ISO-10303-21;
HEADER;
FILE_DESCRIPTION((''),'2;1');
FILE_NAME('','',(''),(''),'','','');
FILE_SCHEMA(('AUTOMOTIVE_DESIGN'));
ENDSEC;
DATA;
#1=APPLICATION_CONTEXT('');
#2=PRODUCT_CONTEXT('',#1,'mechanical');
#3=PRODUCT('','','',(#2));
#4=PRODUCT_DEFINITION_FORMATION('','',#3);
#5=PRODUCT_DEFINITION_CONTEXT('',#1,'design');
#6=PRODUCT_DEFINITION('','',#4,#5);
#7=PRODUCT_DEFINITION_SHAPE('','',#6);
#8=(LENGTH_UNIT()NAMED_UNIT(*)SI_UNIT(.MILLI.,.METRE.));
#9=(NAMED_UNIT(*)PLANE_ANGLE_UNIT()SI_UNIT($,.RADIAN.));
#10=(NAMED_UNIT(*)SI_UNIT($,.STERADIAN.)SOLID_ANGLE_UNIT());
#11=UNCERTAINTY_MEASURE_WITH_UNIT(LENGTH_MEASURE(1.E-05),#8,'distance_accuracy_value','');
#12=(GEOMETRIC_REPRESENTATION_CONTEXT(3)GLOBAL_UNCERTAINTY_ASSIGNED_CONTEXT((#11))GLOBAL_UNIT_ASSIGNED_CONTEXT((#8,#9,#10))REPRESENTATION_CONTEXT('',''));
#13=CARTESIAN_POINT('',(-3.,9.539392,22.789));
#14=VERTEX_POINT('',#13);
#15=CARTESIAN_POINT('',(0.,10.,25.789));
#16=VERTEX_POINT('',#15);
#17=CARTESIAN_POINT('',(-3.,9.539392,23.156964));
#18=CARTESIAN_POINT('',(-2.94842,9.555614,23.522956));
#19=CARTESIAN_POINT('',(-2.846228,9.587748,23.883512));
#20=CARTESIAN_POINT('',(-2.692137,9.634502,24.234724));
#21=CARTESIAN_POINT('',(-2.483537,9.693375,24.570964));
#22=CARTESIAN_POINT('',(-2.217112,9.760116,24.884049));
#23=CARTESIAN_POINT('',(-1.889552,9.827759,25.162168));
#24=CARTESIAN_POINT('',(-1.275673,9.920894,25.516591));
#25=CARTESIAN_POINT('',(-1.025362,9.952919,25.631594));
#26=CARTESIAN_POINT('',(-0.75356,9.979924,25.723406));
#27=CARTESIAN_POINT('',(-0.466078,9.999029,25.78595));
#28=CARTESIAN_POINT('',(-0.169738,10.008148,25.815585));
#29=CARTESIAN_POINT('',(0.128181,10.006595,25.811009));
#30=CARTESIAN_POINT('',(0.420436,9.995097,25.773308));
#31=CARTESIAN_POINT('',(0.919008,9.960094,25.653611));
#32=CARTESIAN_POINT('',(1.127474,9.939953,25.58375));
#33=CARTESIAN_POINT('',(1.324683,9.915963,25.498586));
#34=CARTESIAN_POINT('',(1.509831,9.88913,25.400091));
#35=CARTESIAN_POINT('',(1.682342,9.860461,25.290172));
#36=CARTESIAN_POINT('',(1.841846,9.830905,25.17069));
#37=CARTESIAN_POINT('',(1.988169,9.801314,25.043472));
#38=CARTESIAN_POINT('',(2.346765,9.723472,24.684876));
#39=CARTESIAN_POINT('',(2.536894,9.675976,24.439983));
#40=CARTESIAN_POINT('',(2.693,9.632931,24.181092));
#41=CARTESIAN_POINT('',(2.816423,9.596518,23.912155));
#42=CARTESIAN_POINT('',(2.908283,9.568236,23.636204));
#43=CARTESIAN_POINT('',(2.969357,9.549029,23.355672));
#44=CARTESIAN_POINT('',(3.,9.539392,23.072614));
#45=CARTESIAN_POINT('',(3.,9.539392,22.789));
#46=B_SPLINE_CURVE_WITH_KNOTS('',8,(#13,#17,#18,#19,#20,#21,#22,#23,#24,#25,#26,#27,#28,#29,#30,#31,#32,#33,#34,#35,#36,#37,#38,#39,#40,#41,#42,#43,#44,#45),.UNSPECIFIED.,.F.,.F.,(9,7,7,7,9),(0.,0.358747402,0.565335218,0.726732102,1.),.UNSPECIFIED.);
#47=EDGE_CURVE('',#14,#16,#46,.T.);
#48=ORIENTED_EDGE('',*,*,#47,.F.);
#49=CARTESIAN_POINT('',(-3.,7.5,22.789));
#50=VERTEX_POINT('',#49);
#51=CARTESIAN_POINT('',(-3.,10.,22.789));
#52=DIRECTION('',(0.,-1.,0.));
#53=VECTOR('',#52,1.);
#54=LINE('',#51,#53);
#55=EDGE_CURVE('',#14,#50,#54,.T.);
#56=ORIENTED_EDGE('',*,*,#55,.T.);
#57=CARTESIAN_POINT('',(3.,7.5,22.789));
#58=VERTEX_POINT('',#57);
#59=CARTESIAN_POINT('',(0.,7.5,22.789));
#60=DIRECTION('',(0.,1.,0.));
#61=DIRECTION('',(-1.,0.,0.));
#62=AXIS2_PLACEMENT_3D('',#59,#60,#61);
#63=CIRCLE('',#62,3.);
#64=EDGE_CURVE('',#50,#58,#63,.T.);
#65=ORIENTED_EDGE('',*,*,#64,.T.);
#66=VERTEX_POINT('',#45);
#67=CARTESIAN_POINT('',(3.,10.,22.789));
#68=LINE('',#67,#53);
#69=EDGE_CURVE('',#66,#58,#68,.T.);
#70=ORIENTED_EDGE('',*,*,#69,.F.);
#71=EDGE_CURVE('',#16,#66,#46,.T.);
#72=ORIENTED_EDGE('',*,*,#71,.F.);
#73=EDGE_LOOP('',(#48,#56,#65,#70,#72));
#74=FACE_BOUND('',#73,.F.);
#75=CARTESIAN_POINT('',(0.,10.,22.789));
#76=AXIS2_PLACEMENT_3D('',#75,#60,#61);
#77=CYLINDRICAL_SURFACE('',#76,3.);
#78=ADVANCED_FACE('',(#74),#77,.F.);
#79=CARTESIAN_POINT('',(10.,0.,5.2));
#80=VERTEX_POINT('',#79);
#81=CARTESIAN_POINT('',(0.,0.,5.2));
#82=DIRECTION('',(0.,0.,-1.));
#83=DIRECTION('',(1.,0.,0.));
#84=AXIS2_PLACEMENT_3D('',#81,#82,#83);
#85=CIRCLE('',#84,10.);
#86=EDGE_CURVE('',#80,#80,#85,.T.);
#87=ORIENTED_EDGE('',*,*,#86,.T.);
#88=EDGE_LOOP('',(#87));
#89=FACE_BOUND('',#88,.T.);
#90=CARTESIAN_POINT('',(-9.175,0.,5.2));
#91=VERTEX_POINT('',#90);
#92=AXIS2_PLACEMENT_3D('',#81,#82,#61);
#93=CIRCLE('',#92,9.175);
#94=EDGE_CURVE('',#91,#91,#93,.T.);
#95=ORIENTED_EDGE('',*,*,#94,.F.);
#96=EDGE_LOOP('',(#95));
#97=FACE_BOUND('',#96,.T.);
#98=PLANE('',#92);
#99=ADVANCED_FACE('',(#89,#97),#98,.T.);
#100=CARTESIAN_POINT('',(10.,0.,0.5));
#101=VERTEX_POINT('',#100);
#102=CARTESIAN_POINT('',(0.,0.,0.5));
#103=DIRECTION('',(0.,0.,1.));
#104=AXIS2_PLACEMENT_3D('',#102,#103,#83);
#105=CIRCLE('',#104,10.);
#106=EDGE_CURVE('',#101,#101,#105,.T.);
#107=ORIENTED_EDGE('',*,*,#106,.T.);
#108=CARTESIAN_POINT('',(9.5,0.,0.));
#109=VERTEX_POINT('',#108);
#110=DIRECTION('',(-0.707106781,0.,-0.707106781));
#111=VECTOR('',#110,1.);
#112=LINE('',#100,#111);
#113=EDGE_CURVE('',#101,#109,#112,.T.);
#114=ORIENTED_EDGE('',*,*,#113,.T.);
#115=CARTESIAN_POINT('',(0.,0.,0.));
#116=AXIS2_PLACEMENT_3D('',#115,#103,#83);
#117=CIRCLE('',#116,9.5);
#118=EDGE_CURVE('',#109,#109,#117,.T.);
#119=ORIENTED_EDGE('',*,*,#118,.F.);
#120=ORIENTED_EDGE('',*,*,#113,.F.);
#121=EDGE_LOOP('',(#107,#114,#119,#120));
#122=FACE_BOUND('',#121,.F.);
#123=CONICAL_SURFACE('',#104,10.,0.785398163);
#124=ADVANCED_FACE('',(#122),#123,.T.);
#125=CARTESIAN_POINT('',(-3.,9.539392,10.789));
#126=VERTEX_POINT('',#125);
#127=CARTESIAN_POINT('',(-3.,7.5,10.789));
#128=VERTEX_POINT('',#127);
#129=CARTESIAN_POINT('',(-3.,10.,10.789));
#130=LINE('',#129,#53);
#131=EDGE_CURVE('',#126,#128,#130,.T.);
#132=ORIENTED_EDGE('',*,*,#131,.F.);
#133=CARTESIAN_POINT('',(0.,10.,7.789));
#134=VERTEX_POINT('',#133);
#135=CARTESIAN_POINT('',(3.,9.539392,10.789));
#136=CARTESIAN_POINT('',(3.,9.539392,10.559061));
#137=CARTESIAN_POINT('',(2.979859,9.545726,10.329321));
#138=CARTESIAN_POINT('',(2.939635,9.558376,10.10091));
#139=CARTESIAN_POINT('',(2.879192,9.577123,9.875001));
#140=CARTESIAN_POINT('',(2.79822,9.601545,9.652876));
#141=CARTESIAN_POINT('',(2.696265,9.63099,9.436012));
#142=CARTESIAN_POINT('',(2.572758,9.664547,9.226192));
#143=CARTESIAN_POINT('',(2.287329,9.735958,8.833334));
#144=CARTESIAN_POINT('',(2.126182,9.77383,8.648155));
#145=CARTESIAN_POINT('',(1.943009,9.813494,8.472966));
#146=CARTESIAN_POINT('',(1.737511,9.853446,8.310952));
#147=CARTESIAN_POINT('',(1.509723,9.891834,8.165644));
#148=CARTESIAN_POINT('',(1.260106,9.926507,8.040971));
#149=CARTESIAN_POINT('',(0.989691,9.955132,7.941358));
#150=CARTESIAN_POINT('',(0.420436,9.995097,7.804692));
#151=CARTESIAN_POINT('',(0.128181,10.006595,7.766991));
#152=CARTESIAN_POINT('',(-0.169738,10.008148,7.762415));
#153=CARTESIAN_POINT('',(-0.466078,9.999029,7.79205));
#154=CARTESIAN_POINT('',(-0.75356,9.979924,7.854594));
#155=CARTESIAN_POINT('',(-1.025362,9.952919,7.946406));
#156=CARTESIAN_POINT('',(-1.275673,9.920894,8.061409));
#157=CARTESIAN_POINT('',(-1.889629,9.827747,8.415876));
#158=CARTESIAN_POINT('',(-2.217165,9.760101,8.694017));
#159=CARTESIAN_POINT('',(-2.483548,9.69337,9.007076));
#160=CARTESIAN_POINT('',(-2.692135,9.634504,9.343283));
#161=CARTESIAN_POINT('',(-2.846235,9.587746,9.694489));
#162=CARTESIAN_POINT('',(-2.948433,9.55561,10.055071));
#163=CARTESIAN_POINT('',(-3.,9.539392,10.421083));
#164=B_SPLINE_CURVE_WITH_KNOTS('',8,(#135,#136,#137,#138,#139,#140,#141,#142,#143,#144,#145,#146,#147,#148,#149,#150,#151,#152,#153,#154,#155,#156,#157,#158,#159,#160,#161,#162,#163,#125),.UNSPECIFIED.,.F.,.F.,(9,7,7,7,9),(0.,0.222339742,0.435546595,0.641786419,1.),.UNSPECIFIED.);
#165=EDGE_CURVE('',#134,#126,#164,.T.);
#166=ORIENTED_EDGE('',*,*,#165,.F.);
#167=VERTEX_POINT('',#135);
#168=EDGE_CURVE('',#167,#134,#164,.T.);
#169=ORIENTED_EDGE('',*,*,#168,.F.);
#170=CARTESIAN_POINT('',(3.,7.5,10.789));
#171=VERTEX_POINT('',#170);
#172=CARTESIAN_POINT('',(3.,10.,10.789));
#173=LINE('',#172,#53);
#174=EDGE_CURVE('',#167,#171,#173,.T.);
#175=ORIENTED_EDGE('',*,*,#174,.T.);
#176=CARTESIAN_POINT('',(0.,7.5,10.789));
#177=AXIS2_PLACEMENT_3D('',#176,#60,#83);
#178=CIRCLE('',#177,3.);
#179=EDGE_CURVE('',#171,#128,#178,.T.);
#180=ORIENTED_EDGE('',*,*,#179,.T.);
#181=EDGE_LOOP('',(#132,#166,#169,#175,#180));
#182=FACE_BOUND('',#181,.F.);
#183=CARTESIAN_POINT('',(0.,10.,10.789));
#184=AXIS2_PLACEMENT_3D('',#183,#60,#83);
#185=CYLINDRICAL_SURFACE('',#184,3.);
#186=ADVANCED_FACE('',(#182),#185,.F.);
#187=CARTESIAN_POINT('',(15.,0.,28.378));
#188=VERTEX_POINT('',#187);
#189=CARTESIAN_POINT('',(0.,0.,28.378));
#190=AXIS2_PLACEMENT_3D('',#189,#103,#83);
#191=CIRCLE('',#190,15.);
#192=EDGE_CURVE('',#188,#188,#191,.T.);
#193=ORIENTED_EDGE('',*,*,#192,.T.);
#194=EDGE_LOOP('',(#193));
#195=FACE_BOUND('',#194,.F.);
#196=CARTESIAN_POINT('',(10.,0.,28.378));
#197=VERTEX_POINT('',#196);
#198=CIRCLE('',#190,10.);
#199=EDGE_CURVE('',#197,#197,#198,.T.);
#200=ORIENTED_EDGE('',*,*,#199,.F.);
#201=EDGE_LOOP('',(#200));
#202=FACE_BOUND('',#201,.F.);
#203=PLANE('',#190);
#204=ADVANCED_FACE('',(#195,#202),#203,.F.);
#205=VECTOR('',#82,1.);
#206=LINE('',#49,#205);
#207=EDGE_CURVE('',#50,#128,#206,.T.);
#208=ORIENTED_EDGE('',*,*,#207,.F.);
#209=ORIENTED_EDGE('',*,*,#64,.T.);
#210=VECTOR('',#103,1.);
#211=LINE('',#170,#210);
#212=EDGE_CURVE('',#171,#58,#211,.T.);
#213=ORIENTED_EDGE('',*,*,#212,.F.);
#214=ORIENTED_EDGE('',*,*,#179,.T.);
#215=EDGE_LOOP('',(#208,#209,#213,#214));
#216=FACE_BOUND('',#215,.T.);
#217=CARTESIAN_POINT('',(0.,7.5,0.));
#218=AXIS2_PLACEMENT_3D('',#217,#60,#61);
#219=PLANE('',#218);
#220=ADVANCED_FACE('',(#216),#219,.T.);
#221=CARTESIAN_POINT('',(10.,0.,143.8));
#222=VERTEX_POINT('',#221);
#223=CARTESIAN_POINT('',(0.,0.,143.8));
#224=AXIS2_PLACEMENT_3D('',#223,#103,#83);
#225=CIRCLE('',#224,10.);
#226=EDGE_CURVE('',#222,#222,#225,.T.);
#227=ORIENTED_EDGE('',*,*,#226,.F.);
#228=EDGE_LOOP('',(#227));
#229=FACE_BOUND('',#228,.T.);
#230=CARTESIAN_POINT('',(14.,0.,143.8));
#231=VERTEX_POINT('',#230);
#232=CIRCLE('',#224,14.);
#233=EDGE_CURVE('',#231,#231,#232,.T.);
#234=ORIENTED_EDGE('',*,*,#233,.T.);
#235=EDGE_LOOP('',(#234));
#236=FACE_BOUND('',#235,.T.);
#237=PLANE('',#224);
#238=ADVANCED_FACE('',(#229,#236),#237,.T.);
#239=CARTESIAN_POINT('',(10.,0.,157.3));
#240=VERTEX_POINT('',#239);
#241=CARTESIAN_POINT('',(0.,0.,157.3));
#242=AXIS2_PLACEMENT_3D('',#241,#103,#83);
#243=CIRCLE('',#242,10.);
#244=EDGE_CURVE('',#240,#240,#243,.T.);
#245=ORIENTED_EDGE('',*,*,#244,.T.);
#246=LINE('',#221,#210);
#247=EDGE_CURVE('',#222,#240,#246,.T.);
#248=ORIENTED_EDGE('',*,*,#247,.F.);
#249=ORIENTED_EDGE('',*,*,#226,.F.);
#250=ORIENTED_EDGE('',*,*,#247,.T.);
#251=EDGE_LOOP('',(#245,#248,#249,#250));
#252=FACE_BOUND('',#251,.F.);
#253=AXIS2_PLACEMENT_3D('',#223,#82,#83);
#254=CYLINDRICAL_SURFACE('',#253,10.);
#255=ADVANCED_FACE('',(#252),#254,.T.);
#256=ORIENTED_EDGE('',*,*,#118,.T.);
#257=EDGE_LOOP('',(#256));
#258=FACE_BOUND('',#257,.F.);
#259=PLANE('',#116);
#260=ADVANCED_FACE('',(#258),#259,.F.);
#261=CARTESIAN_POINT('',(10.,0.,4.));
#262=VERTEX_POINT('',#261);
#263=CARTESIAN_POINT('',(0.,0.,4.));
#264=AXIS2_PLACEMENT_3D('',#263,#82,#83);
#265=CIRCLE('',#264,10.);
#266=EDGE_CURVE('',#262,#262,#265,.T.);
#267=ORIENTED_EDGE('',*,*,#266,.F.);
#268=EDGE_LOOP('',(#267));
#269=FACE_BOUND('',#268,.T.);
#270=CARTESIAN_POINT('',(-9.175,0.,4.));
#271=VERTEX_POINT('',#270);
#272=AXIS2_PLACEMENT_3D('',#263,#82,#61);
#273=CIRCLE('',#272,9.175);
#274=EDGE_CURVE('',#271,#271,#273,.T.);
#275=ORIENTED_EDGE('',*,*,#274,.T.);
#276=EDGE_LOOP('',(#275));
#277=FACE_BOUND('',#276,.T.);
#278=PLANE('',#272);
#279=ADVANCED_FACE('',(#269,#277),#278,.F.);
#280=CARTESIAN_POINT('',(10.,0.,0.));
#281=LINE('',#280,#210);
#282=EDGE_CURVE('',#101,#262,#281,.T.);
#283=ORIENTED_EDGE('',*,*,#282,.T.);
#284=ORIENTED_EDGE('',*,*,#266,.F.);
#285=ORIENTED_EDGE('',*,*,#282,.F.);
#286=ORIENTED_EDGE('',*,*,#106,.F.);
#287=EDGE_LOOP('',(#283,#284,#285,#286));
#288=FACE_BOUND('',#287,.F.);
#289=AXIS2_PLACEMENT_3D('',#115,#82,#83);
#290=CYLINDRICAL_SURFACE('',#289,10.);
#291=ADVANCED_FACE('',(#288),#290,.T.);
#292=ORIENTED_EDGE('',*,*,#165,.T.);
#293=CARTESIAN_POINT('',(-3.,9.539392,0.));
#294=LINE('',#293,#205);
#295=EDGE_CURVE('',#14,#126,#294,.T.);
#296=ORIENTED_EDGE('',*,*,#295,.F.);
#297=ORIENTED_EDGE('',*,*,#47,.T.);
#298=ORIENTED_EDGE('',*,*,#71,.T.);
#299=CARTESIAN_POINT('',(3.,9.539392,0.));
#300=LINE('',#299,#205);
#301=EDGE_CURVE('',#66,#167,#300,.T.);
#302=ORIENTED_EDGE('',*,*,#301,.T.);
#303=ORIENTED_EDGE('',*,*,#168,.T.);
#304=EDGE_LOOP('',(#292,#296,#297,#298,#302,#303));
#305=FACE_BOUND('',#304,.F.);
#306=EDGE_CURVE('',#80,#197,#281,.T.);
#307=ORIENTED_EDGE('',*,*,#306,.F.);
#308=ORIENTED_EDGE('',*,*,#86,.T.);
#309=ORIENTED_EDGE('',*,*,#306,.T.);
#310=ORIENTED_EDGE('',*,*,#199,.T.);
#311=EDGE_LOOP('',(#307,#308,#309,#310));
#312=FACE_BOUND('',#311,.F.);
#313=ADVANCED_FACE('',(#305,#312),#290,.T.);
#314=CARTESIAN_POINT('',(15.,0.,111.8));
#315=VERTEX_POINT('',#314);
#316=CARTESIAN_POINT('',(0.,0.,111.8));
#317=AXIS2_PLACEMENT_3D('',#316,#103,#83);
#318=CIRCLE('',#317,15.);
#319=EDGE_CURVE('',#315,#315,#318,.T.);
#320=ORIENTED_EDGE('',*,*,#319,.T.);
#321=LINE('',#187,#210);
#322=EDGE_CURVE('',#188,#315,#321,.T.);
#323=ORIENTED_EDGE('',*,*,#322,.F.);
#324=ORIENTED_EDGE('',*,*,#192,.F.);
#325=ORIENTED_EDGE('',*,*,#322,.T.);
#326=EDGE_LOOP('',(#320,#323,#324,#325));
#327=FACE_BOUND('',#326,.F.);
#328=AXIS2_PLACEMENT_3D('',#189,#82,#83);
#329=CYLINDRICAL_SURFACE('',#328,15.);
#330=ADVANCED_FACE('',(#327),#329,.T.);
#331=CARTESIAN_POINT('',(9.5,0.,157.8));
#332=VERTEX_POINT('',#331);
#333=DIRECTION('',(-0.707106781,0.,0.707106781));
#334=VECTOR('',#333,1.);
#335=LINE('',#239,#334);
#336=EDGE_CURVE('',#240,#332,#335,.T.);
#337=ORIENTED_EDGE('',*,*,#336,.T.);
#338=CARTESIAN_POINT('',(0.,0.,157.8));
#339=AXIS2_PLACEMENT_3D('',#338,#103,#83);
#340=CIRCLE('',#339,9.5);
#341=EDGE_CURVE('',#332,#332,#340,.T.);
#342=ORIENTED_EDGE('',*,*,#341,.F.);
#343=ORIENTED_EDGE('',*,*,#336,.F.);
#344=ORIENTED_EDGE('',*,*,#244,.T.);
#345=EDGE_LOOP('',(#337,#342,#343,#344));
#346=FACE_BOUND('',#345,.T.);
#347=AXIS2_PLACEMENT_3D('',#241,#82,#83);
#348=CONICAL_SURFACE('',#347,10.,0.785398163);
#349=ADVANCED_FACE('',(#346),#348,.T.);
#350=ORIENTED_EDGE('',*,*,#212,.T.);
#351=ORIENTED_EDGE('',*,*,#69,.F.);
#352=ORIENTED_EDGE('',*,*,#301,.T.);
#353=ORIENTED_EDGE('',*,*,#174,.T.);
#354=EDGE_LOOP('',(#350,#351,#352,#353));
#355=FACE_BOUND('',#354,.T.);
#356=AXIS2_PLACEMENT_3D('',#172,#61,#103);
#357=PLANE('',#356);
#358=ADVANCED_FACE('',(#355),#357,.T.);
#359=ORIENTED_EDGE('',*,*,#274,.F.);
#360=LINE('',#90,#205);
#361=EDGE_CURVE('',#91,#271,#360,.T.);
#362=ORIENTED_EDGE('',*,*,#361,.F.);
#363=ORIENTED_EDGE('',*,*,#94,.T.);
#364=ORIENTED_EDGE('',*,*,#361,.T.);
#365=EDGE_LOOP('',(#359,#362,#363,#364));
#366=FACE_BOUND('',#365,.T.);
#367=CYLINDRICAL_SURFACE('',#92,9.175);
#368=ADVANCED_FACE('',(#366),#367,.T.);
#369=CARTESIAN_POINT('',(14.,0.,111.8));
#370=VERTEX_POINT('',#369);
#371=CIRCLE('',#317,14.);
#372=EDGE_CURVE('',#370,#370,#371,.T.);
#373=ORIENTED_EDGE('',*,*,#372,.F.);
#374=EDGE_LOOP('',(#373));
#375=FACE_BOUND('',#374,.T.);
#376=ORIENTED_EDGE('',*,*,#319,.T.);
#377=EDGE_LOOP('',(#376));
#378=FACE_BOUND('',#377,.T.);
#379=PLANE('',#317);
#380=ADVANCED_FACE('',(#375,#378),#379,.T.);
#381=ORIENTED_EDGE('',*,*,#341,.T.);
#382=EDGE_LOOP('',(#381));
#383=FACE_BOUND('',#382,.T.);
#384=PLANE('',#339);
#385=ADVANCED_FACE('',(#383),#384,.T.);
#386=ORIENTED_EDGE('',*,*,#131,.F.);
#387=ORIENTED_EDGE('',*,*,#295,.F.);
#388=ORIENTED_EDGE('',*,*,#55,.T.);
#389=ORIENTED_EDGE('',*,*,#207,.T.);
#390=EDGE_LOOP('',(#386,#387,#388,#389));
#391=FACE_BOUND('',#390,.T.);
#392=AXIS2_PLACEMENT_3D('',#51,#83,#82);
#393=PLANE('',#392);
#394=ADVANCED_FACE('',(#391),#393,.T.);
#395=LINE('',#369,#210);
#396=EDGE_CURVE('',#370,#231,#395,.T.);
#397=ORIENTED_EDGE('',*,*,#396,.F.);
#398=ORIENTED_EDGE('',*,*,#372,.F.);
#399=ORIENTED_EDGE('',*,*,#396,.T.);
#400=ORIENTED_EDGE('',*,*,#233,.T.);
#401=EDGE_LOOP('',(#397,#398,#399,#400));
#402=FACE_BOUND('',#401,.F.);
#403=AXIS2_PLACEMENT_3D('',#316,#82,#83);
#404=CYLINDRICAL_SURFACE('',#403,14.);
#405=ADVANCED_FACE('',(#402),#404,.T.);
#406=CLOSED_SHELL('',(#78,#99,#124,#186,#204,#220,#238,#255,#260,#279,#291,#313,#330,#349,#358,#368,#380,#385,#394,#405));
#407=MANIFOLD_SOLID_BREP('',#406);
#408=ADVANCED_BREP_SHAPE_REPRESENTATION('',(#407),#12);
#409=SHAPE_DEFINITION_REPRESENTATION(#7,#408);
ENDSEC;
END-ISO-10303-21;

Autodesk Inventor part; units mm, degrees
ref_plane "YZ Plane" through (0, 0, 0) normal (1, 0, 0) x (0, 1, 0)
ref_plane "XY Plane" through (0, 0, 0) normal (0, 0, 1) x (1, 0, 0)
sketch "草图1" plane through (0, 0, 0) normal (0, 0, 1) x (1, 0, 0)
  circle A0 centre (0, 0) radius 10
  dimension "d0" = 20
extrude "拉伸1" add sketch "草图1" along normal blind 28.378
sketch "草图2" plane through (0, 0, 28.378) normal (0, 0, 1) x (1, 0, 0)
  circle A0 centre (0, 0) radius 15
  dimension "d3" = 30
extrude "拉伸2" add sketch "草图2" along normal blind 83.422
sketch "草图3" plane through (0, 0, 111.8) normal (0, 0, 1) x (1, 0, 0)
  circle A0 centre (0, 0) radius 14
  dimension "d6" = 28
extrude "拉伸3" add sketch "草图3" along normal blind 32
sketch "草图4" plane through (0, 0, 143.8) normal (0, 0, 1) x (1, 0, 0)
  circle A0 centre (0, 0) radius 10
  dimension "d9" = 20
extrude "拉伸4" add sketch "草图4" along normal blind 14
ref_plane "工作平面1" through (0, 10, 0) normal (0, 1, 0) x (-1, 0, 0)
sketch "草图5" plane through (0, 10, 0) normal (0, 1, 0) x (-1, 0, 0)
  line L0 (-3, 22.789) -> (3, 22.789)
  line L1 (3, 22.789) -> (3, 10.789)
  line L2 (3, 10.789) -> (-3, 10.789)
  line L3 (-3, 10.789) -> (-3, 22.789)
  arc A0 (3, 22.789) -> (-3, 22.789) centre (0, 22.789) ccw
  arc A1 (-3, 10.789) -> (3, 10.789) centre (0, 10.789) ccw
  line L4 (0, 0) -> (0, -4.7288)
  line L5 (10, 28.378) -> (-10, 28.378) projected
  dimension "d12" = 4.7288
  dimension "d13" = 6
  dimension "d14" = 12
  dimension "d21" = 5.589
extrude "拉伸5" cut sketch "草图5" against normal blind 2.5
chamfer "倒角1" distance 0.5 angle 45 2 edges at (-10, 0, 0) (-10, 0, 157.8)
sketch "草图6" plane through (0, 0, 0) normal (0, 1, 0) x (-1, 0, 0)
  line L0 (14.4109, 5.2) -> (9.175, 5.2)
  line L1 (9.175, 5.2) -> (9.175, 4)
  line L2 (9.175, 4) -> (14.4109, 4)
  line L3 (14.4109, 4) -> (14.4109, 5.2)
  line L4 (9.5, 0) -> (-9.5, 0) projected
  line L5 (0, 0) -> (0, -3.7924)
  dimension "d22" = 4
  dimension "d23" = 1.2
  dimension "d24" = 3.7924
  dimension "d25" = 9.175
  dimension "d26" = 5.2359
revolve "旋转1" cut sketch "草图6" angle 360 about axis through (0, 0, 0) along (0, 0, -1)
properties part number "齿轮150配件"
